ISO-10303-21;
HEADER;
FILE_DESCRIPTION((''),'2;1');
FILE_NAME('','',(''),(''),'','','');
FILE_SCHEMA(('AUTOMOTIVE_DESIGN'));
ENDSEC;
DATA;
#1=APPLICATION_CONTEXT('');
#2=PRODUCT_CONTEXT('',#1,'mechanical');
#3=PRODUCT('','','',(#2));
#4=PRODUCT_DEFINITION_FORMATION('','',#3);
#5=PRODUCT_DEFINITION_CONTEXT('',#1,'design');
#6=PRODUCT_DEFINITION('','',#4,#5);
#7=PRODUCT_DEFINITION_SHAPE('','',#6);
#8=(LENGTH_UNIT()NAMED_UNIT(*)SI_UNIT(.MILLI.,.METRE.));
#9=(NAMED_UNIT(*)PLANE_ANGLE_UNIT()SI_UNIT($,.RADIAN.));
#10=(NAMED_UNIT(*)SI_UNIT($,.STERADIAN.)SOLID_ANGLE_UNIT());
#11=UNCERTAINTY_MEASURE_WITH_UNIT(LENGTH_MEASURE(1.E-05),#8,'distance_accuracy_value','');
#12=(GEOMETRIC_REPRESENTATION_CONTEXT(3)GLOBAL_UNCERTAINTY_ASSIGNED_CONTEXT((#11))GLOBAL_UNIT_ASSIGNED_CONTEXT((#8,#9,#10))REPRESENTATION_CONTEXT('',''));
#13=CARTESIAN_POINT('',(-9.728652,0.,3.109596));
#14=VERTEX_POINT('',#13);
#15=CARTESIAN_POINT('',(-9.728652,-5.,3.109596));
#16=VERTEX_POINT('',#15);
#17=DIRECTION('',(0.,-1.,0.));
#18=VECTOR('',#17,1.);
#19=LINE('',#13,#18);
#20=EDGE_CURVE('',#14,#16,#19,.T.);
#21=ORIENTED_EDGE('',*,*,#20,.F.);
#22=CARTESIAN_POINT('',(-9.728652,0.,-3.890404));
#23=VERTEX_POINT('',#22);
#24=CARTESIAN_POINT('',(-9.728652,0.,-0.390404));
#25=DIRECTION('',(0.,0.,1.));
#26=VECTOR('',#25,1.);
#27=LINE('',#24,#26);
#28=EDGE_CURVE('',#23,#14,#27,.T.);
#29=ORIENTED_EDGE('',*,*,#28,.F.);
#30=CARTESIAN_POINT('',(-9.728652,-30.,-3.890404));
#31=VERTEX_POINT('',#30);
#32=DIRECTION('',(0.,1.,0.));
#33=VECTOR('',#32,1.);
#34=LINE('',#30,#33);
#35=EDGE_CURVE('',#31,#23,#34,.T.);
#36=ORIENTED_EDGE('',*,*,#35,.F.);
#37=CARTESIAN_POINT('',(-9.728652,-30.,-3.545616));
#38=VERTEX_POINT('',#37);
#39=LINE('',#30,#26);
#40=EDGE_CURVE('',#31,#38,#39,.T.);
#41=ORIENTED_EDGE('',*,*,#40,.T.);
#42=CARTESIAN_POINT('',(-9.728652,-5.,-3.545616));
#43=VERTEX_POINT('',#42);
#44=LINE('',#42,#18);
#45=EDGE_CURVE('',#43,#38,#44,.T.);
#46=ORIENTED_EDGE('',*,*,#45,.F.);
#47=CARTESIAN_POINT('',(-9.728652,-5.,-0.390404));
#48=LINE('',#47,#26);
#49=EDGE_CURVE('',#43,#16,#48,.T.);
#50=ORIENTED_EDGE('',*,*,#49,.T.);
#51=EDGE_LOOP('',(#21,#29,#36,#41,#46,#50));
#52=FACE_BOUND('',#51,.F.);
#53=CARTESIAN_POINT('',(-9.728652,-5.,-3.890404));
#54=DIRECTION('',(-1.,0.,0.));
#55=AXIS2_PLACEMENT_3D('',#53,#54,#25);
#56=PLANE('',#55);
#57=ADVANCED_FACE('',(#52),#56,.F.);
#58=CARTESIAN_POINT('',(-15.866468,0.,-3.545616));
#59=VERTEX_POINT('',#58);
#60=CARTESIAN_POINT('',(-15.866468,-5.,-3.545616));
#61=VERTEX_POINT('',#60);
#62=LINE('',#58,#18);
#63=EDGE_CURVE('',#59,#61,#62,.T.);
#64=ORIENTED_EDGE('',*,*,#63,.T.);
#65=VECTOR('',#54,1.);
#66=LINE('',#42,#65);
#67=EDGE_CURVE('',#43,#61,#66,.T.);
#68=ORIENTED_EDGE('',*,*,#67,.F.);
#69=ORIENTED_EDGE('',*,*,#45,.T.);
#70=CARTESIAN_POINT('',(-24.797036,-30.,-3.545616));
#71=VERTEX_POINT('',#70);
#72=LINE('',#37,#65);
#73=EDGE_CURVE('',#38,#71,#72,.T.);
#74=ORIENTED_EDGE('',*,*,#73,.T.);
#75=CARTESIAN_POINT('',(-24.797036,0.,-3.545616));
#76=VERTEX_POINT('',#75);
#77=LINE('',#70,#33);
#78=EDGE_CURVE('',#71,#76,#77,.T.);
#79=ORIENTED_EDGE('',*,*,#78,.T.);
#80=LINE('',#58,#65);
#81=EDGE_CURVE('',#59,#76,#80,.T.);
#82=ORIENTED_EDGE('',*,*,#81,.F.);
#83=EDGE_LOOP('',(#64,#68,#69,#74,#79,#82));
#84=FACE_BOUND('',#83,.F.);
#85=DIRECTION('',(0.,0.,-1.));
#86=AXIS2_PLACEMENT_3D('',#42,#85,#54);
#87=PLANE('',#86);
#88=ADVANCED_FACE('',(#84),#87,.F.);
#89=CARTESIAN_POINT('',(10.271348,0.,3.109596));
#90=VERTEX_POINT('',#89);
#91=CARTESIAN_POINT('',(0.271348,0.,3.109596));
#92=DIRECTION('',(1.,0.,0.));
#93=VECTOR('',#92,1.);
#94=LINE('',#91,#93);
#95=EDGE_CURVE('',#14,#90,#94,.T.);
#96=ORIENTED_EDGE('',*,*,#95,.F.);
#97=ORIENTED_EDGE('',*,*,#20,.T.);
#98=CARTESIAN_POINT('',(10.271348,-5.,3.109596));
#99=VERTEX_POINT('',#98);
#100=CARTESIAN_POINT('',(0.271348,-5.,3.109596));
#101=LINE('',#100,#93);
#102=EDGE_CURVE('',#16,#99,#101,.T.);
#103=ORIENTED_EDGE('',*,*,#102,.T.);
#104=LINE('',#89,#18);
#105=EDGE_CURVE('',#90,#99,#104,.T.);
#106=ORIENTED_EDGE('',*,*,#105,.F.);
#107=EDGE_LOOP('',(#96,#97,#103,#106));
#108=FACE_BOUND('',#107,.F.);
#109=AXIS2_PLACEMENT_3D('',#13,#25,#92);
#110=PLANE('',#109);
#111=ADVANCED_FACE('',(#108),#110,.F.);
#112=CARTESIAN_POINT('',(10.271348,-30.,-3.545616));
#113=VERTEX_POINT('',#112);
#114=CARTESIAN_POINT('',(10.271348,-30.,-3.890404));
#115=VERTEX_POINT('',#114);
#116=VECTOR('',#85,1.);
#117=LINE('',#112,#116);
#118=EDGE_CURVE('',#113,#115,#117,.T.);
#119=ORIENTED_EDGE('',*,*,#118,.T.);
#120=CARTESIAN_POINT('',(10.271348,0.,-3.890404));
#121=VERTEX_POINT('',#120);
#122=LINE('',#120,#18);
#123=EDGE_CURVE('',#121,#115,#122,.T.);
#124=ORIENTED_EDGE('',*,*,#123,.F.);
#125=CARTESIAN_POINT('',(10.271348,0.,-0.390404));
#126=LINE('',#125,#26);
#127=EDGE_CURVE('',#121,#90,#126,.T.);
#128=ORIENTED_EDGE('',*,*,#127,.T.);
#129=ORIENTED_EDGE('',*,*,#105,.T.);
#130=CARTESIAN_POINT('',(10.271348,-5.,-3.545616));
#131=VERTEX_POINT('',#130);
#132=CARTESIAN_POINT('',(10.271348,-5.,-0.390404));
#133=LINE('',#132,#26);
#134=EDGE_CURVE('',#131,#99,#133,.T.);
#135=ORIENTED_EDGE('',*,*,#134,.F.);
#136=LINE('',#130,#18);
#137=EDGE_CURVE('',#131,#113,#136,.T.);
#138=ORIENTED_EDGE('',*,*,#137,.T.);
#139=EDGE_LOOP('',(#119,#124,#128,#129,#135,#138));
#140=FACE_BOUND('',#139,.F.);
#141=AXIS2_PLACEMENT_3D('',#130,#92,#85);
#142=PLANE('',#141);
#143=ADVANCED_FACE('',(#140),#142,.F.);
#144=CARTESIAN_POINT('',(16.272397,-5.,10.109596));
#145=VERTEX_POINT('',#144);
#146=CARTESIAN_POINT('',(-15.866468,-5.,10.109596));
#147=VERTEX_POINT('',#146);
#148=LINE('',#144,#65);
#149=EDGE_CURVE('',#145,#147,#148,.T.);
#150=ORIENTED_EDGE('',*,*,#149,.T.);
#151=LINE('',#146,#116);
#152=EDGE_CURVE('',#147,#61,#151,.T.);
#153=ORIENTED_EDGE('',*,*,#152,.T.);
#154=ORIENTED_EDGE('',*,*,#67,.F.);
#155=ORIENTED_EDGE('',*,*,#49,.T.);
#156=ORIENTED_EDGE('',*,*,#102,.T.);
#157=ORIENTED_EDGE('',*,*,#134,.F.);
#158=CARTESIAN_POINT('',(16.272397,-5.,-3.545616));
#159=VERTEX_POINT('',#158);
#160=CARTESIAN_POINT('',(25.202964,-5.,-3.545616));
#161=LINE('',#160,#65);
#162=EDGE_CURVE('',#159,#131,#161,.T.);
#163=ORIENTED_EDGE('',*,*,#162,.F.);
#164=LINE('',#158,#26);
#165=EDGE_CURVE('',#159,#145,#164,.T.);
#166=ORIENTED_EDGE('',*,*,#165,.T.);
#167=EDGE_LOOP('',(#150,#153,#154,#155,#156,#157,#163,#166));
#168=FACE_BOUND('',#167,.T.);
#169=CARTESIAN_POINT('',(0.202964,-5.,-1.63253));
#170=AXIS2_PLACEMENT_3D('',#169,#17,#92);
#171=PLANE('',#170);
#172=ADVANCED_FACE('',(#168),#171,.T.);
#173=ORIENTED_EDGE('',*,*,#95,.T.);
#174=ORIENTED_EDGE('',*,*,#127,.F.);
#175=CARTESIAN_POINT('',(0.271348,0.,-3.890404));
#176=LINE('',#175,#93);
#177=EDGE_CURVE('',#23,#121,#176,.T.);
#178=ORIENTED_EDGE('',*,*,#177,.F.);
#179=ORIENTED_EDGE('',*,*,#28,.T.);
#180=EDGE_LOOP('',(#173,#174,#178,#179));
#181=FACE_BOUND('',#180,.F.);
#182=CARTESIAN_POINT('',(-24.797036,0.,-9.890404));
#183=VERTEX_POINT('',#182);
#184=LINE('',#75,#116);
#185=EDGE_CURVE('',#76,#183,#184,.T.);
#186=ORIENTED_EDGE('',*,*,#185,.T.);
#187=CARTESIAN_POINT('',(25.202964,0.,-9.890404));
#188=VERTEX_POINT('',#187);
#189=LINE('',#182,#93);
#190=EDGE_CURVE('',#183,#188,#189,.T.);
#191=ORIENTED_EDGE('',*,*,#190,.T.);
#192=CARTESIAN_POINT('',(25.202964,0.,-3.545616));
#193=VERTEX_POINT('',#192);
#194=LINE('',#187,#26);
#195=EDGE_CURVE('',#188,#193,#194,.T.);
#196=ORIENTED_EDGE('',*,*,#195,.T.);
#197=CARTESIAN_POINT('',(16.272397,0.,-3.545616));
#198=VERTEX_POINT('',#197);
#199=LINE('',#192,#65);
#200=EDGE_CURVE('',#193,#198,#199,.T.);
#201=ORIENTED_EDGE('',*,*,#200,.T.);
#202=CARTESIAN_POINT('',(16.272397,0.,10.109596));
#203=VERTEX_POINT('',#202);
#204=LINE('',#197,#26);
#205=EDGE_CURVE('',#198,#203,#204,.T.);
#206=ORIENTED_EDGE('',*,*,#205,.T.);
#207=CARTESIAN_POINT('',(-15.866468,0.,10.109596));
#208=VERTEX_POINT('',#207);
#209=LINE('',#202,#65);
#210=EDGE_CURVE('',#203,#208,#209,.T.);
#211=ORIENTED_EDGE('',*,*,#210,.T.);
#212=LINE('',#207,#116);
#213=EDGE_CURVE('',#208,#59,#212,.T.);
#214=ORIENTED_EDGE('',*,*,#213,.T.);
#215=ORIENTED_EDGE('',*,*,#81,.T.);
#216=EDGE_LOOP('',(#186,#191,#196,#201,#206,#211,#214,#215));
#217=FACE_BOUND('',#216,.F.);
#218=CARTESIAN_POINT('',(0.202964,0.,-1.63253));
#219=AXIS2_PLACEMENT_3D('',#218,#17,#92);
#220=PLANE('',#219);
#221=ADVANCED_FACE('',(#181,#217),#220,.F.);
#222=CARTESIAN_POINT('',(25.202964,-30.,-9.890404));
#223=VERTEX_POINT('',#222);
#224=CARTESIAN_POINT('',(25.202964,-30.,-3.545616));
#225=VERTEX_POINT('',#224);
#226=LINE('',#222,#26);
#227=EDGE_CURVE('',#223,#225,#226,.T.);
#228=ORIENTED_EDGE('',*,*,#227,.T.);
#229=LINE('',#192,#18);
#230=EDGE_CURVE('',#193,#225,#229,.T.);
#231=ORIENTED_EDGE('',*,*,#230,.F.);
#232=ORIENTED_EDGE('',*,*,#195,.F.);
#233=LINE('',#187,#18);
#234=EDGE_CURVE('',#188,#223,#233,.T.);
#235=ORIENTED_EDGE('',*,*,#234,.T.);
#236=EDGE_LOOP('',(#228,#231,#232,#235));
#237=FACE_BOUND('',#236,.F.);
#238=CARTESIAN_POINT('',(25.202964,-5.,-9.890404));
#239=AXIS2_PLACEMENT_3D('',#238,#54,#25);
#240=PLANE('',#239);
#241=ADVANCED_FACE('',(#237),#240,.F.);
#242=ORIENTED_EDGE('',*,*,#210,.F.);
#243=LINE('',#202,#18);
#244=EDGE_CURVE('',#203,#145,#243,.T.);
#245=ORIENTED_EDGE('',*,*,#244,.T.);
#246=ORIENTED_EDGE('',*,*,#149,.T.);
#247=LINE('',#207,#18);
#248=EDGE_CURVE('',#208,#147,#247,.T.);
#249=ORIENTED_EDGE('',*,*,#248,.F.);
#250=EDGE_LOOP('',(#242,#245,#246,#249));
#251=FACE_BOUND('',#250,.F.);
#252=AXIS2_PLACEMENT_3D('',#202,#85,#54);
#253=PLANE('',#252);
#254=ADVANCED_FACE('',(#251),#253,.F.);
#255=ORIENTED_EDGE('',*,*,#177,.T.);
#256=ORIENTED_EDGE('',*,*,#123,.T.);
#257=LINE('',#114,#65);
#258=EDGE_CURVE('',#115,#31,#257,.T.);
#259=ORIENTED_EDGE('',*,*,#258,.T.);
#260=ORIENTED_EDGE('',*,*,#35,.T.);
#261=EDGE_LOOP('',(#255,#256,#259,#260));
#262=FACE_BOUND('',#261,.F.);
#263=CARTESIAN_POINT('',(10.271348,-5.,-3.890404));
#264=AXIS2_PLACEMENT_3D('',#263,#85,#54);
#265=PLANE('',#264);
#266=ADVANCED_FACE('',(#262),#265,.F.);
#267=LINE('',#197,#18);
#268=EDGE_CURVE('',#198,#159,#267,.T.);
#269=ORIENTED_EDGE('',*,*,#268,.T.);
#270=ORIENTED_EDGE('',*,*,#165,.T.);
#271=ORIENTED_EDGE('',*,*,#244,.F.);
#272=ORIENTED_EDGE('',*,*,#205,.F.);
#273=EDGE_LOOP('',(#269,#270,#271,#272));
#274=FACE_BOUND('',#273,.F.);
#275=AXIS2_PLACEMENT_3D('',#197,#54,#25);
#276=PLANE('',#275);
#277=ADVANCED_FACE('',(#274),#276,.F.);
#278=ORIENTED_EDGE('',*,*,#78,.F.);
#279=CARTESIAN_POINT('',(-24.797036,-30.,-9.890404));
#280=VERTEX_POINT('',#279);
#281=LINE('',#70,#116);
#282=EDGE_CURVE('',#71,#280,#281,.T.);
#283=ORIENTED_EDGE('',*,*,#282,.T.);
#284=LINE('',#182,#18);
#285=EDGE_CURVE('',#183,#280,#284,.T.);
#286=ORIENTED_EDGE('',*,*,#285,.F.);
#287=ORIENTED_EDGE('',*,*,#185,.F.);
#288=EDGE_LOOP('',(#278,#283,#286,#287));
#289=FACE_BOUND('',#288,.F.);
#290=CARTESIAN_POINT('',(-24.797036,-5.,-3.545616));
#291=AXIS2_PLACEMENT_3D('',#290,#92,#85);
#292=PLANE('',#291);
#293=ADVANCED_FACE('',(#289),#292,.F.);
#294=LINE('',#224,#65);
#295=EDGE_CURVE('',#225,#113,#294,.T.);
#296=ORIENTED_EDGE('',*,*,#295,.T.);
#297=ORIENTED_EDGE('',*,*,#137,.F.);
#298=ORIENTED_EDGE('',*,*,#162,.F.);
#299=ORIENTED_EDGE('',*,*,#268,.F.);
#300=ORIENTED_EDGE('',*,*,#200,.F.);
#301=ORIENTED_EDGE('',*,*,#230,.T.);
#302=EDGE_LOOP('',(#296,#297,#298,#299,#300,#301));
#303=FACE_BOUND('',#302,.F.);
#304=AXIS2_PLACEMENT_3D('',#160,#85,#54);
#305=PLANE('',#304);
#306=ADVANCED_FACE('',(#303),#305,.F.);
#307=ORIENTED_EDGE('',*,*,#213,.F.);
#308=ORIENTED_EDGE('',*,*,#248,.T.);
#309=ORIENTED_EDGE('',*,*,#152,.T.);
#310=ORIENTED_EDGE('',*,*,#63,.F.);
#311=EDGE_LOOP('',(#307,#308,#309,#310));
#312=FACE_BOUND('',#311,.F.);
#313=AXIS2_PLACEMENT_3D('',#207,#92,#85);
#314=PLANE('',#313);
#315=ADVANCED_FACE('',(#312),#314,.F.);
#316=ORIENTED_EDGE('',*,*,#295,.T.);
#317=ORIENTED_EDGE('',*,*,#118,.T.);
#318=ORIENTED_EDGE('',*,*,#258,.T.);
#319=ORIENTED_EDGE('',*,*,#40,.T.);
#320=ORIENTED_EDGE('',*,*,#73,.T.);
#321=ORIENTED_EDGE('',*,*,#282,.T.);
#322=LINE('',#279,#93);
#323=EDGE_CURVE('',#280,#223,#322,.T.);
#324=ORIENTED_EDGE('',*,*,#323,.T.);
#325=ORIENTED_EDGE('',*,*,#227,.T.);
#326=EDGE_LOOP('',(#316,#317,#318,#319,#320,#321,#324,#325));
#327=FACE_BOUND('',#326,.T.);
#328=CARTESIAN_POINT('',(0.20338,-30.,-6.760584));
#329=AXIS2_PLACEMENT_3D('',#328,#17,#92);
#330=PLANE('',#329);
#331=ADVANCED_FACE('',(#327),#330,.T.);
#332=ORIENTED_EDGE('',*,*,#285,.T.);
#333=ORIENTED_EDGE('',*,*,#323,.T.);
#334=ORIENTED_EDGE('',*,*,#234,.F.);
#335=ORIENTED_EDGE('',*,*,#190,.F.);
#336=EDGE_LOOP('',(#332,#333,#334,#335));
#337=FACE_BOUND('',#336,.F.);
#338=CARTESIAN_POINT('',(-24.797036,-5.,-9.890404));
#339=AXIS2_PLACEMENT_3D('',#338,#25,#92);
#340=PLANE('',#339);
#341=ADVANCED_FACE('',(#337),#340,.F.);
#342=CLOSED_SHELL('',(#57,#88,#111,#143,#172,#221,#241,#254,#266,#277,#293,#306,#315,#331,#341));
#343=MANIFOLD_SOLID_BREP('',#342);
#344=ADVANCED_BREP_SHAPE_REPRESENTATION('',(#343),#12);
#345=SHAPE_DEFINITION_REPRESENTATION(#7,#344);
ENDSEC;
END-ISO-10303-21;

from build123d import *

# Parameters (mm, degrees)
F0_W     = 20
F0_H     = 7
F1_DEPTH = 5
F3_DEPTH = 25


with BuildPart() as f1:
    # F0 (on Front) → F1 (new body)
    with BuildSketch(Plane.XZ):
        Polygon((16.272397, 10.109596), (-15.866468, 10.109596), (-15.866468, -3.545616), (-24.797036, -3.545616), (-24.797036, -9.890404), (25.202964, -9.890404), (25.202964, -3.545616), (16.272397, -3.545616), align=None)
        with Locations((0.271348, -0.390404)):
            Rectangle(F0_W, F0_H, mode=Mode.SUBTRACT)
    extrude(amount=F1_DEPTH)

    # F2 (on face) → F3 (join)
    with BuildSketch(Plane.XZ.offset(5)):
        Polygon((-15.866468, -3.545616), (-24.797036, -3.545616), (-24.797036, -9.890404), (25.202964, -9.890404), (25.202964, -3.545616), (16.272397, -3.545616), (10.271348, -3.545616), (10.271348, -3.890404), (-9.728652, -3.890404), (-9.728652, -3.545616), align=None)
    extrude(amount=F3_DEPTH)


solid = f1.part
